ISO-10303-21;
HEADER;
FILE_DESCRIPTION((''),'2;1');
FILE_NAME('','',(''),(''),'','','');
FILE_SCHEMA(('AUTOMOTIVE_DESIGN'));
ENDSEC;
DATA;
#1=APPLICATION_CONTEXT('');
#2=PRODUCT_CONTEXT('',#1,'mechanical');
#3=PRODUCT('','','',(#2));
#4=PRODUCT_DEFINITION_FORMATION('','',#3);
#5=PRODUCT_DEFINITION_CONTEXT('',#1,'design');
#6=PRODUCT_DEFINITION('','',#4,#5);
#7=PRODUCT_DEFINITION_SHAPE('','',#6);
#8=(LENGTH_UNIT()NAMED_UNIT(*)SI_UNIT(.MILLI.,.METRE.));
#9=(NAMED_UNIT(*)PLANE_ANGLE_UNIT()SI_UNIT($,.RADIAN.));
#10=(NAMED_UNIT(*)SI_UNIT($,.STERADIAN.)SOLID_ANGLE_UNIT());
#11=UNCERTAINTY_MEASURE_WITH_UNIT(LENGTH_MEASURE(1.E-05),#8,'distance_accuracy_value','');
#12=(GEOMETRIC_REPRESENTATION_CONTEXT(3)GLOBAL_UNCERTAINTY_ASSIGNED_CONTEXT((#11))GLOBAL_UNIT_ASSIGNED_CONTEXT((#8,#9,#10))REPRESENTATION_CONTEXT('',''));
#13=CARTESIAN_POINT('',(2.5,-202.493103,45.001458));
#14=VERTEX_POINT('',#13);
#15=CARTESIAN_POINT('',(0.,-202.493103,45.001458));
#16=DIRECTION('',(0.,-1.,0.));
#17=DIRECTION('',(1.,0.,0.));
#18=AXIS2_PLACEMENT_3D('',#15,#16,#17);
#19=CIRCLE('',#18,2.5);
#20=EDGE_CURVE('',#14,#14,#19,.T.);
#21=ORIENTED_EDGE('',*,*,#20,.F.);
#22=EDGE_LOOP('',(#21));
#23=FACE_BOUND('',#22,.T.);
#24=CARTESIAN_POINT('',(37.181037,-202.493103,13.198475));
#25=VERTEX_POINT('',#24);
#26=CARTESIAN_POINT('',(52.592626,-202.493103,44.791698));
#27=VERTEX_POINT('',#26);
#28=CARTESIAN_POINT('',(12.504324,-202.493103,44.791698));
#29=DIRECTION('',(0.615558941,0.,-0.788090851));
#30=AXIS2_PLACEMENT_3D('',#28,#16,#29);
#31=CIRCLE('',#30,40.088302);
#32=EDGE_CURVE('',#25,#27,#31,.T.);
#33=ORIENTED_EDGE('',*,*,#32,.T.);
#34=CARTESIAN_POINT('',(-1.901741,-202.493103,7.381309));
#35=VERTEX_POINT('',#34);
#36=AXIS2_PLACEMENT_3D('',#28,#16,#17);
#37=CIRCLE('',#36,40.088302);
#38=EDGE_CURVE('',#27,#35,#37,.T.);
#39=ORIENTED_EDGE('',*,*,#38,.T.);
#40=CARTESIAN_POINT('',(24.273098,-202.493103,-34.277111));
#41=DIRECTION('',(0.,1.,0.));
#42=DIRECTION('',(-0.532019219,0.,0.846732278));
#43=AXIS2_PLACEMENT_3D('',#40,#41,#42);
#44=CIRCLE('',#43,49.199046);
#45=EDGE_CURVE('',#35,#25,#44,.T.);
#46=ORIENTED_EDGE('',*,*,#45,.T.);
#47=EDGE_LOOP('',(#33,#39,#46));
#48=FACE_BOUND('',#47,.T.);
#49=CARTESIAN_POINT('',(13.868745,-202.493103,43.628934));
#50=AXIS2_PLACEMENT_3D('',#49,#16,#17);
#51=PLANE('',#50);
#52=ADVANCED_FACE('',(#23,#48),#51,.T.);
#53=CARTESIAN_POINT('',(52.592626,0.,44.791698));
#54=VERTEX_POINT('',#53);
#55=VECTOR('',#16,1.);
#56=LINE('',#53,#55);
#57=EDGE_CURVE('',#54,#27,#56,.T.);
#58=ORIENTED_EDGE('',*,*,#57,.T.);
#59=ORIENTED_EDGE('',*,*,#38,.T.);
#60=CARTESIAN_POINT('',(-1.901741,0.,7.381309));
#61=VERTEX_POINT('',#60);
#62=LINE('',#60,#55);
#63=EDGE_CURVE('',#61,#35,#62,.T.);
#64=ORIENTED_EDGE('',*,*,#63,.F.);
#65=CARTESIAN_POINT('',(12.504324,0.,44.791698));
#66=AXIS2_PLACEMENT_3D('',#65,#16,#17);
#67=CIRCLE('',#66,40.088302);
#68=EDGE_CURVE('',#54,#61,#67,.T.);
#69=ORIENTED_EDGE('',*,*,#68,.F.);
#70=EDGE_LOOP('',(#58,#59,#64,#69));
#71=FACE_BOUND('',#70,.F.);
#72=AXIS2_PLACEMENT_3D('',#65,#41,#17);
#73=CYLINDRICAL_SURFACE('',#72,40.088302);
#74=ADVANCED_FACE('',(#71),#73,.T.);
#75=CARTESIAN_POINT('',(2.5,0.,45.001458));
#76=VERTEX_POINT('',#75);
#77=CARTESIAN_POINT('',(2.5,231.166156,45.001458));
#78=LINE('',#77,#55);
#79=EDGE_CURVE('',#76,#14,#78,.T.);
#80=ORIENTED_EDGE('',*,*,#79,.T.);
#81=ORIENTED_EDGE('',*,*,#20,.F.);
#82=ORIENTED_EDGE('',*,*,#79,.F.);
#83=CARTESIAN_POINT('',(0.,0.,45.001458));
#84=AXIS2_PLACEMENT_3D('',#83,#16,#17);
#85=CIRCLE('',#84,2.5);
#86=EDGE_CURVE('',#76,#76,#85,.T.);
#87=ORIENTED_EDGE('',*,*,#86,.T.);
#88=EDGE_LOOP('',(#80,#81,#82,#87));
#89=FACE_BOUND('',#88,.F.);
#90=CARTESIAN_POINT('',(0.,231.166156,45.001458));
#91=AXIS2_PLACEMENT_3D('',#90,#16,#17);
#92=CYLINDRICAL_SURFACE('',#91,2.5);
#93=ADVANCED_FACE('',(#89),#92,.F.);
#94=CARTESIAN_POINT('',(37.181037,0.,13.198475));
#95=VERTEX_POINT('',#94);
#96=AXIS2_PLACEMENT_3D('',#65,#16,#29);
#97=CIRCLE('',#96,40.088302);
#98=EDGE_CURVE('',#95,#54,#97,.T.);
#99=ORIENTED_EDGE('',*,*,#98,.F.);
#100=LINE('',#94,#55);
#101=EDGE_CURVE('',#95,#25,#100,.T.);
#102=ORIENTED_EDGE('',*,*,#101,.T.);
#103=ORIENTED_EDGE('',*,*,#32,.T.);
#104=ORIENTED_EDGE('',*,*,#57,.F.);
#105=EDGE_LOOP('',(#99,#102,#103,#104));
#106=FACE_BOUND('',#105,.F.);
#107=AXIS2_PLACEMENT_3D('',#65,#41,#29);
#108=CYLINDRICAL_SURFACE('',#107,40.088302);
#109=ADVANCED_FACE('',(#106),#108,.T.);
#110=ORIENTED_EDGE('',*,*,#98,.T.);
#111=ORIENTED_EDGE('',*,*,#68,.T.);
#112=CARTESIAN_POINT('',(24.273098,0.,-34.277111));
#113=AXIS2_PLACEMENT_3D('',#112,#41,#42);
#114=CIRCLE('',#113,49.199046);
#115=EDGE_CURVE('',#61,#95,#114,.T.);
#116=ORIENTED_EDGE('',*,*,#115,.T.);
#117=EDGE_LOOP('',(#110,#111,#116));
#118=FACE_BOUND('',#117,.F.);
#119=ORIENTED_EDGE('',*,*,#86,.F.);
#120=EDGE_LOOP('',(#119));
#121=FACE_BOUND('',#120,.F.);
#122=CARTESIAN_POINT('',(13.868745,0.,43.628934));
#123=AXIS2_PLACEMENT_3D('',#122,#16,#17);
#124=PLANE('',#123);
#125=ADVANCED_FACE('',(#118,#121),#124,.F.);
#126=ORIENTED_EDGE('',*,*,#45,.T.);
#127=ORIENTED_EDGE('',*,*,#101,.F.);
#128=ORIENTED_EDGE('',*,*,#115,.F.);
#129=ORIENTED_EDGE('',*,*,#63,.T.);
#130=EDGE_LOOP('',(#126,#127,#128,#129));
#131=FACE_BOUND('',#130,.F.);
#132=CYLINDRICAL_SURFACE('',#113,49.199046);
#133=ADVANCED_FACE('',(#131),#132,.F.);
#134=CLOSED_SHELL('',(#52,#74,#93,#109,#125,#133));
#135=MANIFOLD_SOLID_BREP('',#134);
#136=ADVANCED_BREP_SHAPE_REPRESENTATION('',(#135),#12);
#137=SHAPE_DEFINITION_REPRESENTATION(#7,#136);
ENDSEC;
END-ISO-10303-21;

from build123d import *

# Parameters (mm, degrees)
F1_DEPTH = 202.4931032211
F3_D     = 5


with BuildPart() as f1:
    # F0 (on Front) → F1 (new body)
    with BuildSketch(Plane.XZ):
        with BuildLine():
            ThreePointArc((37.1810367805, 13.1984747494), (48.5343077543, 27.2157997397), (52.5926258795, 44.7916984558))
            ThreePointArc((52.5926258795, 44.7916984558), (-10.1844090488, 77.841559279), (-1.9017406989, 7.3813093516))
            ThreePointArc((-1.9017406989, 7.3813093516), (17.0299969881, 14.3858485523), (37.1810367805, 13.1984747494))
        make_face()
    extrude(amount=F1_DEPTH)

    # F3 (through all)
    with Locations(Plane(origin=(0, 0, 0), x_dir=(-1, 0, 0), z_dir=(0, 1, 0))):
        with Locations((0, 45.0014583766)):
            Hole(F3_D / 2)


solid = f1.part
